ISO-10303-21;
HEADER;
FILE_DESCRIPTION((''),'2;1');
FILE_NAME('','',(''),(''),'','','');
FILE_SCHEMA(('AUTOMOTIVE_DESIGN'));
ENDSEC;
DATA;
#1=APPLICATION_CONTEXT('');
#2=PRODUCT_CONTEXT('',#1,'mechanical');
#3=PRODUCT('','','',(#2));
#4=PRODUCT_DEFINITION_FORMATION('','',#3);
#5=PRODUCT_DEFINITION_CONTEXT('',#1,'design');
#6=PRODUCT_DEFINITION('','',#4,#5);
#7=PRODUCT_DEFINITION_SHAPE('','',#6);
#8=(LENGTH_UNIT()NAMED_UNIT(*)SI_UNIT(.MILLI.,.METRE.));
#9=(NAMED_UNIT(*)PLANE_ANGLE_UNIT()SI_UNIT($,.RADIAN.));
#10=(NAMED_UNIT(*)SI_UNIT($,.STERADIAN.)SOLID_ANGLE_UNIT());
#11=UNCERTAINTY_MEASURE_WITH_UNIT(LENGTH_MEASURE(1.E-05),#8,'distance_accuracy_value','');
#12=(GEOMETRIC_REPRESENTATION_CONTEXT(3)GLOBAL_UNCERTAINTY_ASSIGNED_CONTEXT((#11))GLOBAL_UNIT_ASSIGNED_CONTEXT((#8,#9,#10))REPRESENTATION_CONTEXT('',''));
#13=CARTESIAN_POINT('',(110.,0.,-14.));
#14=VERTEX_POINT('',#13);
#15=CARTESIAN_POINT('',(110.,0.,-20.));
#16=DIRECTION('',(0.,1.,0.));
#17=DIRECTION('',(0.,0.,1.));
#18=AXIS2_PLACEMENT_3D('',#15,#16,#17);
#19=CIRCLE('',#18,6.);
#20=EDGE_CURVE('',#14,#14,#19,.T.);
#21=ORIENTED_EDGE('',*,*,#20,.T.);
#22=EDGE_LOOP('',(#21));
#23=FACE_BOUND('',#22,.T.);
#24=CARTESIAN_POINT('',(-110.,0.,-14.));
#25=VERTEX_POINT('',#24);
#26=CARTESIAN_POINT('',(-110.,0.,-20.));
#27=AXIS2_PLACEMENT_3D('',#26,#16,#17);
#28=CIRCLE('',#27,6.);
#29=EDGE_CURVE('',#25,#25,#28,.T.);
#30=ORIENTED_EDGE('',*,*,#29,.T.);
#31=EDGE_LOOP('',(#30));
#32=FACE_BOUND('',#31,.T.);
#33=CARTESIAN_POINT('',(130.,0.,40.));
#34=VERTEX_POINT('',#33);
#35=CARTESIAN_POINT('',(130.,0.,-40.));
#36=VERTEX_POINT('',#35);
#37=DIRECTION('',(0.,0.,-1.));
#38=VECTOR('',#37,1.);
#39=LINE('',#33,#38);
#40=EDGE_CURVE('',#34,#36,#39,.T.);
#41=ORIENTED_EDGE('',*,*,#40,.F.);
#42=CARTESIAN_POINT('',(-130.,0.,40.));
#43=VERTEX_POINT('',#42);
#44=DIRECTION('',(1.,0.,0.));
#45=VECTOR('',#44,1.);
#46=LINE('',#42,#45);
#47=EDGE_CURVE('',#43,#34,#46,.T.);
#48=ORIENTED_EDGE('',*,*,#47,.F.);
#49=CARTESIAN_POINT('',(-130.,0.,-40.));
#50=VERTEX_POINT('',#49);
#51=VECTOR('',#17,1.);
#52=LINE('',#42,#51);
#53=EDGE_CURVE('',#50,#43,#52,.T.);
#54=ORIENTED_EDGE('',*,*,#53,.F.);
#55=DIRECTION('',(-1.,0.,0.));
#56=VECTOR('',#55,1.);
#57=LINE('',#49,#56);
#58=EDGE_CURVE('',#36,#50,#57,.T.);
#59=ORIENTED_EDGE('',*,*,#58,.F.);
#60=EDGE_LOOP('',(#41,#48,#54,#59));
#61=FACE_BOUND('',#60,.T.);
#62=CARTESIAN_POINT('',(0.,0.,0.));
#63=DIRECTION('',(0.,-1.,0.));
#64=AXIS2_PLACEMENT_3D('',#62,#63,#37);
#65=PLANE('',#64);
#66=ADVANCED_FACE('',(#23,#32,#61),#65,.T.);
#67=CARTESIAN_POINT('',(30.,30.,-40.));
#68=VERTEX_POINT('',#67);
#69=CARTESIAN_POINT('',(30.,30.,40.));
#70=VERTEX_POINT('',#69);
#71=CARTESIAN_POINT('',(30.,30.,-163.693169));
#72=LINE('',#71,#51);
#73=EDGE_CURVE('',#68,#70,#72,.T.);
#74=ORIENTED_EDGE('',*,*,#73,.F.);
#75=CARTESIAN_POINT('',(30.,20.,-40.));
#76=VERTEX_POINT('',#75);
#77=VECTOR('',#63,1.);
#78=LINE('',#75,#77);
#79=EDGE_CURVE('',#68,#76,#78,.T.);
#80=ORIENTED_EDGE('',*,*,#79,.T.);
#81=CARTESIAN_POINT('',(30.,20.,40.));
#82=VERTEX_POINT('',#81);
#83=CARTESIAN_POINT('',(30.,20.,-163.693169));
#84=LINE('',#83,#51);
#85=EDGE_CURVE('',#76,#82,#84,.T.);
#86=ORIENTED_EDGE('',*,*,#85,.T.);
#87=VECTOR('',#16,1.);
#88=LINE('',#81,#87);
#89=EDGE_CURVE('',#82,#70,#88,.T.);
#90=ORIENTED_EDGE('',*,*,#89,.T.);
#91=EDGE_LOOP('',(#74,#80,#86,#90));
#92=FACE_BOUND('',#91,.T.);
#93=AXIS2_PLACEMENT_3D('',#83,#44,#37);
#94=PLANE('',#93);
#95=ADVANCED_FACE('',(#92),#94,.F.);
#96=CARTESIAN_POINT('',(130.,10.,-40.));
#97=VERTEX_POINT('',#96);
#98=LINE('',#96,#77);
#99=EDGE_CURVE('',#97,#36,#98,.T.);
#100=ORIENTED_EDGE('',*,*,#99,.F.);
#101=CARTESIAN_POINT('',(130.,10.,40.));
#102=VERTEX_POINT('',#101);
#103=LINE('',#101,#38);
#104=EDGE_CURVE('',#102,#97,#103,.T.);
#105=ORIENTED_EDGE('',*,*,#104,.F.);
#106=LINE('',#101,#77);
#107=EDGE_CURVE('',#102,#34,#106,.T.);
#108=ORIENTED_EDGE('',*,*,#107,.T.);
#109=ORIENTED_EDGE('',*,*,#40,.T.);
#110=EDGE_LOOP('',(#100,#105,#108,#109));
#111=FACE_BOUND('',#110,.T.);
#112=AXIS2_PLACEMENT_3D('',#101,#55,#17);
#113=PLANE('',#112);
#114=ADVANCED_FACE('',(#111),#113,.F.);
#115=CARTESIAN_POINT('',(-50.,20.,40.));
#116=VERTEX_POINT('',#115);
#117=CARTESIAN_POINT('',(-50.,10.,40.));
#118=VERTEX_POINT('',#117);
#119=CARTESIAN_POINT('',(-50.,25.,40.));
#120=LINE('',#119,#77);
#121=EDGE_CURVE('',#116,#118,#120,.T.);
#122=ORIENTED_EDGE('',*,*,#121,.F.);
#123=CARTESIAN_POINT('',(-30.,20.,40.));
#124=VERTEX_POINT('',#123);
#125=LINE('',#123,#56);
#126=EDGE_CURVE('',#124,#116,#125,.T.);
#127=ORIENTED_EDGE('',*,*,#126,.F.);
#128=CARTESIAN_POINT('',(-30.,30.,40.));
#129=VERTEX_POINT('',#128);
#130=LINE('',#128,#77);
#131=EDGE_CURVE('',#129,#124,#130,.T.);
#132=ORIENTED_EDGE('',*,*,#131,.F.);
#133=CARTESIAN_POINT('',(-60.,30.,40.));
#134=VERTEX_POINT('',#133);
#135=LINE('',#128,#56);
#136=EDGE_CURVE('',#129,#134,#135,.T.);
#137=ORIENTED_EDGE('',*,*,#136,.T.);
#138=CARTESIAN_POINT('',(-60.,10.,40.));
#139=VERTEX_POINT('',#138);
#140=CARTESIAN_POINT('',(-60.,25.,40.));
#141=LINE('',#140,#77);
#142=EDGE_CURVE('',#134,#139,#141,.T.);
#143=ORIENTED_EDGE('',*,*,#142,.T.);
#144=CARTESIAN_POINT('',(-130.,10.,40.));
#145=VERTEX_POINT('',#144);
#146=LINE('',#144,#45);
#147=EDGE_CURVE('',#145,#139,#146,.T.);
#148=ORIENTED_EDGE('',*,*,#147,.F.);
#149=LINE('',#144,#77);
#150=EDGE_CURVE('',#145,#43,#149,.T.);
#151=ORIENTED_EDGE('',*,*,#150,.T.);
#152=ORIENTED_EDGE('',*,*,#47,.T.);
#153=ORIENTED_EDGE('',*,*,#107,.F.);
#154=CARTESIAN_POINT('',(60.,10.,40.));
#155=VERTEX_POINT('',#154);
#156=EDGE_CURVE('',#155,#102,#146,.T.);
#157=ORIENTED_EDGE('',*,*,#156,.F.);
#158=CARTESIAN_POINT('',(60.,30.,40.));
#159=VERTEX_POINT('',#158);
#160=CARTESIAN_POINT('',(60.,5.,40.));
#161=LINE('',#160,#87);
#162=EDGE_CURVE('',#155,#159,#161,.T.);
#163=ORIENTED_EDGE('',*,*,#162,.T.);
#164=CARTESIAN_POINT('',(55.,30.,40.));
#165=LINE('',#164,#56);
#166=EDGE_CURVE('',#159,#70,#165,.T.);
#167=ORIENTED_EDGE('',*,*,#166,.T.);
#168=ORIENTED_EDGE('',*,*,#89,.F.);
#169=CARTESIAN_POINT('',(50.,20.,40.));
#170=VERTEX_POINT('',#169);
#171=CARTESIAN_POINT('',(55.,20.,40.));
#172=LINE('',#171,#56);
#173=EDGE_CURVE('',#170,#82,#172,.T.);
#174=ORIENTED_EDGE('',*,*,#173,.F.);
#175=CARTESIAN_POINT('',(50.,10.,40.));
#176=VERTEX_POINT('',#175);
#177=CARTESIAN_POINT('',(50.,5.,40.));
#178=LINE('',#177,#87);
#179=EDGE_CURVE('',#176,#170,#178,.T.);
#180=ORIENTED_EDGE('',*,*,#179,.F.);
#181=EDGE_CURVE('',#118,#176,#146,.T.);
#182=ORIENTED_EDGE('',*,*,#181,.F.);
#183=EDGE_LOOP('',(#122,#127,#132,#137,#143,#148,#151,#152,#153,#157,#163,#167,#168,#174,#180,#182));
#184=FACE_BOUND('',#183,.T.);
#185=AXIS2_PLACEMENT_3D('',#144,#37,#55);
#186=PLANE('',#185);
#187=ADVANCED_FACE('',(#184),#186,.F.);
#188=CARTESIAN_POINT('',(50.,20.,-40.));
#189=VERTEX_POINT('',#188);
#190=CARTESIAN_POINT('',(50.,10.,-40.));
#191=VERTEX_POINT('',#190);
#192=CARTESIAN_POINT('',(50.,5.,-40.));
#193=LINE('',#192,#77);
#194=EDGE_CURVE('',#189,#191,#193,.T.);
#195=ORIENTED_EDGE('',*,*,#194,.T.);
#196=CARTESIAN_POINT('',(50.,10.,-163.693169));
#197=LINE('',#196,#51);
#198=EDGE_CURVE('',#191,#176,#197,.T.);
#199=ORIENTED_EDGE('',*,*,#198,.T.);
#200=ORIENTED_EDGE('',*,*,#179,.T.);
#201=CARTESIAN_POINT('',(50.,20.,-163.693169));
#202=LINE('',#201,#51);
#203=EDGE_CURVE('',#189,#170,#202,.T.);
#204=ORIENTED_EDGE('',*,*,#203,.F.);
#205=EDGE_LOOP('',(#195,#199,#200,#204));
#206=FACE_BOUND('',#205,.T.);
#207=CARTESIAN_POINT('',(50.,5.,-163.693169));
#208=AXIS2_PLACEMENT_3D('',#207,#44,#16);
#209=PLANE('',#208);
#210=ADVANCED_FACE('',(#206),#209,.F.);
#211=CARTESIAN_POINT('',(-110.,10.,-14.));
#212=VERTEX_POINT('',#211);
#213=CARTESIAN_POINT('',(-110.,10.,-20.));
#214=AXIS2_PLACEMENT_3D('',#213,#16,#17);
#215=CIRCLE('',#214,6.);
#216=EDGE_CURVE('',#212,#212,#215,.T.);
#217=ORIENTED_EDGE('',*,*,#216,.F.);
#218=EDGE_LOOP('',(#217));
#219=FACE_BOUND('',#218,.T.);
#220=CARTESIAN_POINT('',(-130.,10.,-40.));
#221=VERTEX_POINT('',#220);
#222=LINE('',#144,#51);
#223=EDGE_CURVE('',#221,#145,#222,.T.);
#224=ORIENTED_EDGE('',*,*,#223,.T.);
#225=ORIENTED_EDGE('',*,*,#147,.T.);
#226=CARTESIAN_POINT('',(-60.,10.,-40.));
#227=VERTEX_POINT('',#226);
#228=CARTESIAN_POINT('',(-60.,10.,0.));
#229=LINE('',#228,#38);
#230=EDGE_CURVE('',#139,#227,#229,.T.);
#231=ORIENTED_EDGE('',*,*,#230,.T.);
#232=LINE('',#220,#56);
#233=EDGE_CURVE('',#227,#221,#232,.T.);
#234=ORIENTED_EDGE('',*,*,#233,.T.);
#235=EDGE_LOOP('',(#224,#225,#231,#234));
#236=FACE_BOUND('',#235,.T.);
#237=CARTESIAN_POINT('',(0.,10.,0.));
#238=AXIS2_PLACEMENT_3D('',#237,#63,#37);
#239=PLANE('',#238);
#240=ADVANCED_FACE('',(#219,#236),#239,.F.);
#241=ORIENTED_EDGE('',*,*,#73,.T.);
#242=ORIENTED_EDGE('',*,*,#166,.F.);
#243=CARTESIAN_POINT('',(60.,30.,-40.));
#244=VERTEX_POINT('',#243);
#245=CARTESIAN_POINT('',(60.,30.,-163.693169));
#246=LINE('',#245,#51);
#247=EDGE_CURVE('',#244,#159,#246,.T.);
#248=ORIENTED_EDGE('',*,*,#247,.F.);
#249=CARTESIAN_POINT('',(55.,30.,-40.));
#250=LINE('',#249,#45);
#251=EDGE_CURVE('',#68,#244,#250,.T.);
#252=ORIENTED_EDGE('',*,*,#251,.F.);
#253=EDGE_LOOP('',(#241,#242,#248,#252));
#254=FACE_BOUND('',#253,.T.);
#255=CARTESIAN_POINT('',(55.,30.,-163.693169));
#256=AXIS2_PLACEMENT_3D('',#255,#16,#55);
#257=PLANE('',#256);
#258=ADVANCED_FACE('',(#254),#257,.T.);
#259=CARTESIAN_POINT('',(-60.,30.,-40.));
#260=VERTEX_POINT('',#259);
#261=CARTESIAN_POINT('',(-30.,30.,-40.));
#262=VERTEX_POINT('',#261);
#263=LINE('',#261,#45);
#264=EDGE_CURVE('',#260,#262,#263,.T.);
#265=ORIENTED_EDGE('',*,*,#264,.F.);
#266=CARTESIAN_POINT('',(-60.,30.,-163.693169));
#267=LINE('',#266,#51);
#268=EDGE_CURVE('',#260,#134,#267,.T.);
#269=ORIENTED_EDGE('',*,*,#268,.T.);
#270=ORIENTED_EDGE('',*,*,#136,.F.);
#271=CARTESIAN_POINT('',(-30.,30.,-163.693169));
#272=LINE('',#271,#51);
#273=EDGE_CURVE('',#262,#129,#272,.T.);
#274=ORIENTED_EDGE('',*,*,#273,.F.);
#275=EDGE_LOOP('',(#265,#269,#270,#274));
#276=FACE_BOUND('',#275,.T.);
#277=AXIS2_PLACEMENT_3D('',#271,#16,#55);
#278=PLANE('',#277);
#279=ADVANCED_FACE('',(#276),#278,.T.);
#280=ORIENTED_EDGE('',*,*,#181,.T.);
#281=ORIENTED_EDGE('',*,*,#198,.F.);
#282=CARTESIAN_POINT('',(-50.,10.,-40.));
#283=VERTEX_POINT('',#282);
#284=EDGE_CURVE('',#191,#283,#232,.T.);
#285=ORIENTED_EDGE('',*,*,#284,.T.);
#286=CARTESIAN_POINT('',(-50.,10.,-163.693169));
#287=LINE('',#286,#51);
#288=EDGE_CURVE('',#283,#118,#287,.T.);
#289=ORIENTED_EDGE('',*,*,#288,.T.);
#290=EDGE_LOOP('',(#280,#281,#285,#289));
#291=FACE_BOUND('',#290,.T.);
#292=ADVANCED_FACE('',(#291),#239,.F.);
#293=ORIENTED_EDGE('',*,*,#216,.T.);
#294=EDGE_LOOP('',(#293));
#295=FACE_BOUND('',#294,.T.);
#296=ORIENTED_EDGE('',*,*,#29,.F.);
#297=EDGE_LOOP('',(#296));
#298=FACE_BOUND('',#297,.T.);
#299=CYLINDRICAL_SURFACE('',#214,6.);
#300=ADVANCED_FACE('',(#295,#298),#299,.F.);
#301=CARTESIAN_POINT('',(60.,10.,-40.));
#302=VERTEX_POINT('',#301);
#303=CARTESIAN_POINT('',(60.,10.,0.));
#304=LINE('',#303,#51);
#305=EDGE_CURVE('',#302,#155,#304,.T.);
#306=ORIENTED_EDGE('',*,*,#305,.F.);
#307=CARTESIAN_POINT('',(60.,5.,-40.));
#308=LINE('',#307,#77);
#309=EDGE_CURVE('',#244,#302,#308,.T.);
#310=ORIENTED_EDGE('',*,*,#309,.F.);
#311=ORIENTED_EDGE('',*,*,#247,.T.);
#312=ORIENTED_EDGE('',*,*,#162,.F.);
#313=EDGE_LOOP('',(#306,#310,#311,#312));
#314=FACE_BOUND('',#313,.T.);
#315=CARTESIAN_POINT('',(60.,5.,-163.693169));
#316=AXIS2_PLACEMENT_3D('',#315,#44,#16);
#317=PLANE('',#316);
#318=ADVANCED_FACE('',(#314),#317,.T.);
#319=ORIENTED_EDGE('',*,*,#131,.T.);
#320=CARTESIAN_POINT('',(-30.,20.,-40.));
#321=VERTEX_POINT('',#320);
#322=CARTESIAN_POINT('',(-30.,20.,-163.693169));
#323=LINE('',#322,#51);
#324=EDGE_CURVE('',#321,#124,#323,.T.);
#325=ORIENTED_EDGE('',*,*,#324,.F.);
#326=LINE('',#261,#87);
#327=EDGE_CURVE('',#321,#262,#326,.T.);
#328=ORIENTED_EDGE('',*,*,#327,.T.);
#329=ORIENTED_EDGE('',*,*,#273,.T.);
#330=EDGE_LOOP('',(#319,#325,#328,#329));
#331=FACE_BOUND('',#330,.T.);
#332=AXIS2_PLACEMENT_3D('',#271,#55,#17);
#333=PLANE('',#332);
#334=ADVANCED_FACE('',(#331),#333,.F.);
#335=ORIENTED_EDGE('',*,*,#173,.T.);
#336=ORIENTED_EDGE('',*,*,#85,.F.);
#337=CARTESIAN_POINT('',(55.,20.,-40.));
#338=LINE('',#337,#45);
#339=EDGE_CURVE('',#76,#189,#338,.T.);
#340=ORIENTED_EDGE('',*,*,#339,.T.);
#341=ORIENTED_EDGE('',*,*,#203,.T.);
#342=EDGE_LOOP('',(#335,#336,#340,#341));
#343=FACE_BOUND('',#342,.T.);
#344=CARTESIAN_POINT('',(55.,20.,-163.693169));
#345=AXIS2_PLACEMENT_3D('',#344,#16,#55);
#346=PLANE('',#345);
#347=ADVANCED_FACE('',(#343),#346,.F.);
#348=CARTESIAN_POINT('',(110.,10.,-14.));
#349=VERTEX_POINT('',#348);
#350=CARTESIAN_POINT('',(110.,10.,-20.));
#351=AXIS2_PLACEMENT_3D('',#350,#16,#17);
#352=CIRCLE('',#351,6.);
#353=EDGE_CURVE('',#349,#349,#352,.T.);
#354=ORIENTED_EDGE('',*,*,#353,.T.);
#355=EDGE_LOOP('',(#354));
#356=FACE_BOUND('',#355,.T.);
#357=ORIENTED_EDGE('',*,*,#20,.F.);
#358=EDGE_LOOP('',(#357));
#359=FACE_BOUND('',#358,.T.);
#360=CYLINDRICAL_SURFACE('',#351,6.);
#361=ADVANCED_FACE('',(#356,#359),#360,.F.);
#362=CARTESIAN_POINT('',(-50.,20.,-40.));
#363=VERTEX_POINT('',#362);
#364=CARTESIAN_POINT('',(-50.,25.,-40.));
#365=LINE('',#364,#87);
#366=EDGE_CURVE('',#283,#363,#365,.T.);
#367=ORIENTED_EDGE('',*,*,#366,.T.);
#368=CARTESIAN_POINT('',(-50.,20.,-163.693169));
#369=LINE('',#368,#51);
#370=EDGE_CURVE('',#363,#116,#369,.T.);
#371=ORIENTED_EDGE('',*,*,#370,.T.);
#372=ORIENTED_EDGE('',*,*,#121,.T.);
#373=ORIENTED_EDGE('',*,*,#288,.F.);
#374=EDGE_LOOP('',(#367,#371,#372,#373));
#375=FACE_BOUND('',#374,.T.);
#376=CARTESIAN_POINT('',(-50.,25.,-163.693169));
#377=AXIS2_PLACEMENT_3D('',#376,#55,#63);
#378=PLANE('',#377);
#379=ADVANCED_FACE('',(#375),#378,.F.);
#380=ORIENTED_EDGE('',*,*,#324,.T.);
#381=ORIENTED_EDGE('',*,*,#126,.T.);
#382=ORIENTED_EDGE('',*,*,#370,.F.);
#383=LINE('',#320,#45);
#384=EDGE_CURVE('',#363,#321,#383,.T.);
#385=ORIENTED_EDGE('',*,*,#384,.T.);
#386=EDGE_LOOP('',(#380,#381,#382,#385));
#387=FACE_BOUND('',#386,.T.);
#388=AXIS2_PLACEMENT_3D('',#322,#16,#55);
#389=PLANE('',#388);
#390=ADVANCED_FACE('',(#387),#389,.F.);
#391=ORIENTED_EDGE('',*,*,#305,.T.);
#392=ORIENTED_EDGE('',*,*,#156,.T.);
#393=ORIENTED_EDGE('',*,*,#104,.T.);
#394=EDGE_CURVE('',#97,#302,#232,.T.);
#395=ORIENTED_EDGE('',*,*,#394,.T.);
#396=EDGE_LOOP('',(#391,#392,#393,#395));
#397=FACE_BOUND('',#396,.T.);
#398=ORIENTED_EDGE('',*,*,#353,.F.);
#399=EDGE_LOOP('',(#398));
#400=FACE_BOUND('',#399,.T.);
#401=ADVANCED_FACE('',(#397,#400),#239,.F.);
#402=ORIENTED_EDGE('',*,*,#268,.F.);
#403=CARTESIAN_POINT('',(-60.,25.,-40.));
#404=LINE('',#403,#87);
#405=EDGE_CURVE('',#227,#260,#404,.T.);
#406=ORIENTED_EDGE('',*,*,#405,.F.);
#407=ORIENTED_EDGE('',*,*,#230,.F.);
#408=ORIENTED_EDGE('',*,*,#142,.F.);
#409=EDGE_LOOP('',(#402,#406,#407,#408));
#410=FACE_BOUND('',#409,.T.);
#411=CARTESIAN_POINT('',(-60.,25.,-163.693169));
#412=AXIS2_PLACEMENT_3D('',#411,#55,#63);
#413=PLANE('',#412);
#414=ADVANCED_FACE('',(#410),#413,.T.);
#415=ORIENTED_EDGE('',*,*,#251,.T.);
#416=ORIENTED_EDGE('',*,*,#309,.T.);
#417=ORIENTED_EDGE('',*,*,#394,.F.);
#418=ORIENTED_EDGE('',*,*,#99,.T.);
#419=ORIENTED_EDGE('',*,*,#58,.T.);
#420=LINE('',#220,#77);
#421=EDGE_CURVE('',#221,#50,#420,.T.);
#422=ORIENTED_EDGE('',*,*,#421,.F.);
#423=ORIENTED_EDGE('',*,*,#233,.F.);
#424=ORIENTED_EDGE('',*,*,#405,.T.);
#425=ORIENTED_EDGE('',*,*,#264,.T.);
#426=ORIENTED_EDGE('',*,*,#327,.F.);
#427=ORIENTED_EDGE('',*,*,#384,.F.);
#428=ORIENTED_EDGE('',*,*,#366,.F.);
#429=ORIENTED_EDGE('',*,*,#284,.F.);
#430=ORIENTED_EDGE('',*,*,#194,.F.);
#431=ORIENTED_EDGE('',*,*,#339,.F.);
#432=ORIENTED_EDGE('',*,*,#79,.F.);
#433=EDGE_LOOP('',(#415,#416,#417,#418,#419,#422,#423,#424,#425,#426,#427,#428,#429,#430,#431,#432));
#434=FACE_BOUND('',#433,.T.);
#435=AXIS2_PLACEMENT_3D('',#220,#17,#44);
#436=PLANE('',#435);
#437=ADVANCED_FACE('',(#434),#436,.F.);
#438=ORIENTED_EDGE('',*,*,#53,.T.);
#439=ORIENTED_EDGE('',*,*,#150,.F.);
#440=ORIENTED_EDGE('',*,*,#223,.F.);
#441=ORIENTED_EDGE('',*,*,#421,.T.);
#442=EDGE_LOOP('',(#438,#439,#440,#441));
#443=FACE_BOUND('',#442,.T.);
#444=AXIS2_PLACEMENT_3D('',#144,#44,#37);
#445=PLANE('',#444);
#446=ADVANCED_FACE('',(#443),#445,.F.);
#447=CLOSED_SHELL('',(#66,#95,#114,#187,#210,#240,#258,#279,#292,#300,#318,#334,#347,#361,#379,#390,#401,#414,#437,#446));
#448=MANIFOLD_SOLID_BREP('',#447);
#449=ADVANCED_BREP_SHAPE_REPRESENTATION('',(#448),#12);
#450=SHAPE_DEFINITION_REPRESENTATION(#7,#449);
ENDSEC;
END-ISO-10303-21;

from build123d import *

# Parameters (mm, degrees)
SKETCH1_W             = 260
SKETCH1_H             = 80
BOSS_EXTRUDE1_DEPTH   = 10
EXTRUDE_THIN2_DEPTH   = 80
F_1_0MM_DOWEL_HOLE1_D = 12


with BuildPart() as part:
    # Sketch1 → Boss-Extrude1 (new body)
    with BuildSketch(Plane(origin=(0, 0, 0), x_dir=(1, 0, 0), z_dir=(0, 1, 0))):
        Rectangle(SKETCH1_W, SKETCH1_H)
    extrude(amount=BOSS_EXTRUDE1_DEPTH)

    # Sketch2 → Extrude-Thin2 (add)
    with BuildSketch(Plane.XY.offset(40)):
        Polygon((-30, 30), (-60, 30), (-60, 0), (60, 0), (60, 30), (30, 30), (30, 20), (50, 20), (50, 10), (-50, 10), (-50, 20), (-30, 20), align=None)
    extrude(amount=-EXTRUDE_THIN2_DEPTH)

    # Ø1.0mm Dowel Hole1 (through all)
    with Locations(Plane(origin=(-110, 10, -20), x_dir=(0, 0, 1), z_dir=(0, 1, 0))):
        with Locations((0, 0), (0, 220)):
            Hole(F_1_0MM_DOWEL_HOLE1_D / 2)


solid = part.part
